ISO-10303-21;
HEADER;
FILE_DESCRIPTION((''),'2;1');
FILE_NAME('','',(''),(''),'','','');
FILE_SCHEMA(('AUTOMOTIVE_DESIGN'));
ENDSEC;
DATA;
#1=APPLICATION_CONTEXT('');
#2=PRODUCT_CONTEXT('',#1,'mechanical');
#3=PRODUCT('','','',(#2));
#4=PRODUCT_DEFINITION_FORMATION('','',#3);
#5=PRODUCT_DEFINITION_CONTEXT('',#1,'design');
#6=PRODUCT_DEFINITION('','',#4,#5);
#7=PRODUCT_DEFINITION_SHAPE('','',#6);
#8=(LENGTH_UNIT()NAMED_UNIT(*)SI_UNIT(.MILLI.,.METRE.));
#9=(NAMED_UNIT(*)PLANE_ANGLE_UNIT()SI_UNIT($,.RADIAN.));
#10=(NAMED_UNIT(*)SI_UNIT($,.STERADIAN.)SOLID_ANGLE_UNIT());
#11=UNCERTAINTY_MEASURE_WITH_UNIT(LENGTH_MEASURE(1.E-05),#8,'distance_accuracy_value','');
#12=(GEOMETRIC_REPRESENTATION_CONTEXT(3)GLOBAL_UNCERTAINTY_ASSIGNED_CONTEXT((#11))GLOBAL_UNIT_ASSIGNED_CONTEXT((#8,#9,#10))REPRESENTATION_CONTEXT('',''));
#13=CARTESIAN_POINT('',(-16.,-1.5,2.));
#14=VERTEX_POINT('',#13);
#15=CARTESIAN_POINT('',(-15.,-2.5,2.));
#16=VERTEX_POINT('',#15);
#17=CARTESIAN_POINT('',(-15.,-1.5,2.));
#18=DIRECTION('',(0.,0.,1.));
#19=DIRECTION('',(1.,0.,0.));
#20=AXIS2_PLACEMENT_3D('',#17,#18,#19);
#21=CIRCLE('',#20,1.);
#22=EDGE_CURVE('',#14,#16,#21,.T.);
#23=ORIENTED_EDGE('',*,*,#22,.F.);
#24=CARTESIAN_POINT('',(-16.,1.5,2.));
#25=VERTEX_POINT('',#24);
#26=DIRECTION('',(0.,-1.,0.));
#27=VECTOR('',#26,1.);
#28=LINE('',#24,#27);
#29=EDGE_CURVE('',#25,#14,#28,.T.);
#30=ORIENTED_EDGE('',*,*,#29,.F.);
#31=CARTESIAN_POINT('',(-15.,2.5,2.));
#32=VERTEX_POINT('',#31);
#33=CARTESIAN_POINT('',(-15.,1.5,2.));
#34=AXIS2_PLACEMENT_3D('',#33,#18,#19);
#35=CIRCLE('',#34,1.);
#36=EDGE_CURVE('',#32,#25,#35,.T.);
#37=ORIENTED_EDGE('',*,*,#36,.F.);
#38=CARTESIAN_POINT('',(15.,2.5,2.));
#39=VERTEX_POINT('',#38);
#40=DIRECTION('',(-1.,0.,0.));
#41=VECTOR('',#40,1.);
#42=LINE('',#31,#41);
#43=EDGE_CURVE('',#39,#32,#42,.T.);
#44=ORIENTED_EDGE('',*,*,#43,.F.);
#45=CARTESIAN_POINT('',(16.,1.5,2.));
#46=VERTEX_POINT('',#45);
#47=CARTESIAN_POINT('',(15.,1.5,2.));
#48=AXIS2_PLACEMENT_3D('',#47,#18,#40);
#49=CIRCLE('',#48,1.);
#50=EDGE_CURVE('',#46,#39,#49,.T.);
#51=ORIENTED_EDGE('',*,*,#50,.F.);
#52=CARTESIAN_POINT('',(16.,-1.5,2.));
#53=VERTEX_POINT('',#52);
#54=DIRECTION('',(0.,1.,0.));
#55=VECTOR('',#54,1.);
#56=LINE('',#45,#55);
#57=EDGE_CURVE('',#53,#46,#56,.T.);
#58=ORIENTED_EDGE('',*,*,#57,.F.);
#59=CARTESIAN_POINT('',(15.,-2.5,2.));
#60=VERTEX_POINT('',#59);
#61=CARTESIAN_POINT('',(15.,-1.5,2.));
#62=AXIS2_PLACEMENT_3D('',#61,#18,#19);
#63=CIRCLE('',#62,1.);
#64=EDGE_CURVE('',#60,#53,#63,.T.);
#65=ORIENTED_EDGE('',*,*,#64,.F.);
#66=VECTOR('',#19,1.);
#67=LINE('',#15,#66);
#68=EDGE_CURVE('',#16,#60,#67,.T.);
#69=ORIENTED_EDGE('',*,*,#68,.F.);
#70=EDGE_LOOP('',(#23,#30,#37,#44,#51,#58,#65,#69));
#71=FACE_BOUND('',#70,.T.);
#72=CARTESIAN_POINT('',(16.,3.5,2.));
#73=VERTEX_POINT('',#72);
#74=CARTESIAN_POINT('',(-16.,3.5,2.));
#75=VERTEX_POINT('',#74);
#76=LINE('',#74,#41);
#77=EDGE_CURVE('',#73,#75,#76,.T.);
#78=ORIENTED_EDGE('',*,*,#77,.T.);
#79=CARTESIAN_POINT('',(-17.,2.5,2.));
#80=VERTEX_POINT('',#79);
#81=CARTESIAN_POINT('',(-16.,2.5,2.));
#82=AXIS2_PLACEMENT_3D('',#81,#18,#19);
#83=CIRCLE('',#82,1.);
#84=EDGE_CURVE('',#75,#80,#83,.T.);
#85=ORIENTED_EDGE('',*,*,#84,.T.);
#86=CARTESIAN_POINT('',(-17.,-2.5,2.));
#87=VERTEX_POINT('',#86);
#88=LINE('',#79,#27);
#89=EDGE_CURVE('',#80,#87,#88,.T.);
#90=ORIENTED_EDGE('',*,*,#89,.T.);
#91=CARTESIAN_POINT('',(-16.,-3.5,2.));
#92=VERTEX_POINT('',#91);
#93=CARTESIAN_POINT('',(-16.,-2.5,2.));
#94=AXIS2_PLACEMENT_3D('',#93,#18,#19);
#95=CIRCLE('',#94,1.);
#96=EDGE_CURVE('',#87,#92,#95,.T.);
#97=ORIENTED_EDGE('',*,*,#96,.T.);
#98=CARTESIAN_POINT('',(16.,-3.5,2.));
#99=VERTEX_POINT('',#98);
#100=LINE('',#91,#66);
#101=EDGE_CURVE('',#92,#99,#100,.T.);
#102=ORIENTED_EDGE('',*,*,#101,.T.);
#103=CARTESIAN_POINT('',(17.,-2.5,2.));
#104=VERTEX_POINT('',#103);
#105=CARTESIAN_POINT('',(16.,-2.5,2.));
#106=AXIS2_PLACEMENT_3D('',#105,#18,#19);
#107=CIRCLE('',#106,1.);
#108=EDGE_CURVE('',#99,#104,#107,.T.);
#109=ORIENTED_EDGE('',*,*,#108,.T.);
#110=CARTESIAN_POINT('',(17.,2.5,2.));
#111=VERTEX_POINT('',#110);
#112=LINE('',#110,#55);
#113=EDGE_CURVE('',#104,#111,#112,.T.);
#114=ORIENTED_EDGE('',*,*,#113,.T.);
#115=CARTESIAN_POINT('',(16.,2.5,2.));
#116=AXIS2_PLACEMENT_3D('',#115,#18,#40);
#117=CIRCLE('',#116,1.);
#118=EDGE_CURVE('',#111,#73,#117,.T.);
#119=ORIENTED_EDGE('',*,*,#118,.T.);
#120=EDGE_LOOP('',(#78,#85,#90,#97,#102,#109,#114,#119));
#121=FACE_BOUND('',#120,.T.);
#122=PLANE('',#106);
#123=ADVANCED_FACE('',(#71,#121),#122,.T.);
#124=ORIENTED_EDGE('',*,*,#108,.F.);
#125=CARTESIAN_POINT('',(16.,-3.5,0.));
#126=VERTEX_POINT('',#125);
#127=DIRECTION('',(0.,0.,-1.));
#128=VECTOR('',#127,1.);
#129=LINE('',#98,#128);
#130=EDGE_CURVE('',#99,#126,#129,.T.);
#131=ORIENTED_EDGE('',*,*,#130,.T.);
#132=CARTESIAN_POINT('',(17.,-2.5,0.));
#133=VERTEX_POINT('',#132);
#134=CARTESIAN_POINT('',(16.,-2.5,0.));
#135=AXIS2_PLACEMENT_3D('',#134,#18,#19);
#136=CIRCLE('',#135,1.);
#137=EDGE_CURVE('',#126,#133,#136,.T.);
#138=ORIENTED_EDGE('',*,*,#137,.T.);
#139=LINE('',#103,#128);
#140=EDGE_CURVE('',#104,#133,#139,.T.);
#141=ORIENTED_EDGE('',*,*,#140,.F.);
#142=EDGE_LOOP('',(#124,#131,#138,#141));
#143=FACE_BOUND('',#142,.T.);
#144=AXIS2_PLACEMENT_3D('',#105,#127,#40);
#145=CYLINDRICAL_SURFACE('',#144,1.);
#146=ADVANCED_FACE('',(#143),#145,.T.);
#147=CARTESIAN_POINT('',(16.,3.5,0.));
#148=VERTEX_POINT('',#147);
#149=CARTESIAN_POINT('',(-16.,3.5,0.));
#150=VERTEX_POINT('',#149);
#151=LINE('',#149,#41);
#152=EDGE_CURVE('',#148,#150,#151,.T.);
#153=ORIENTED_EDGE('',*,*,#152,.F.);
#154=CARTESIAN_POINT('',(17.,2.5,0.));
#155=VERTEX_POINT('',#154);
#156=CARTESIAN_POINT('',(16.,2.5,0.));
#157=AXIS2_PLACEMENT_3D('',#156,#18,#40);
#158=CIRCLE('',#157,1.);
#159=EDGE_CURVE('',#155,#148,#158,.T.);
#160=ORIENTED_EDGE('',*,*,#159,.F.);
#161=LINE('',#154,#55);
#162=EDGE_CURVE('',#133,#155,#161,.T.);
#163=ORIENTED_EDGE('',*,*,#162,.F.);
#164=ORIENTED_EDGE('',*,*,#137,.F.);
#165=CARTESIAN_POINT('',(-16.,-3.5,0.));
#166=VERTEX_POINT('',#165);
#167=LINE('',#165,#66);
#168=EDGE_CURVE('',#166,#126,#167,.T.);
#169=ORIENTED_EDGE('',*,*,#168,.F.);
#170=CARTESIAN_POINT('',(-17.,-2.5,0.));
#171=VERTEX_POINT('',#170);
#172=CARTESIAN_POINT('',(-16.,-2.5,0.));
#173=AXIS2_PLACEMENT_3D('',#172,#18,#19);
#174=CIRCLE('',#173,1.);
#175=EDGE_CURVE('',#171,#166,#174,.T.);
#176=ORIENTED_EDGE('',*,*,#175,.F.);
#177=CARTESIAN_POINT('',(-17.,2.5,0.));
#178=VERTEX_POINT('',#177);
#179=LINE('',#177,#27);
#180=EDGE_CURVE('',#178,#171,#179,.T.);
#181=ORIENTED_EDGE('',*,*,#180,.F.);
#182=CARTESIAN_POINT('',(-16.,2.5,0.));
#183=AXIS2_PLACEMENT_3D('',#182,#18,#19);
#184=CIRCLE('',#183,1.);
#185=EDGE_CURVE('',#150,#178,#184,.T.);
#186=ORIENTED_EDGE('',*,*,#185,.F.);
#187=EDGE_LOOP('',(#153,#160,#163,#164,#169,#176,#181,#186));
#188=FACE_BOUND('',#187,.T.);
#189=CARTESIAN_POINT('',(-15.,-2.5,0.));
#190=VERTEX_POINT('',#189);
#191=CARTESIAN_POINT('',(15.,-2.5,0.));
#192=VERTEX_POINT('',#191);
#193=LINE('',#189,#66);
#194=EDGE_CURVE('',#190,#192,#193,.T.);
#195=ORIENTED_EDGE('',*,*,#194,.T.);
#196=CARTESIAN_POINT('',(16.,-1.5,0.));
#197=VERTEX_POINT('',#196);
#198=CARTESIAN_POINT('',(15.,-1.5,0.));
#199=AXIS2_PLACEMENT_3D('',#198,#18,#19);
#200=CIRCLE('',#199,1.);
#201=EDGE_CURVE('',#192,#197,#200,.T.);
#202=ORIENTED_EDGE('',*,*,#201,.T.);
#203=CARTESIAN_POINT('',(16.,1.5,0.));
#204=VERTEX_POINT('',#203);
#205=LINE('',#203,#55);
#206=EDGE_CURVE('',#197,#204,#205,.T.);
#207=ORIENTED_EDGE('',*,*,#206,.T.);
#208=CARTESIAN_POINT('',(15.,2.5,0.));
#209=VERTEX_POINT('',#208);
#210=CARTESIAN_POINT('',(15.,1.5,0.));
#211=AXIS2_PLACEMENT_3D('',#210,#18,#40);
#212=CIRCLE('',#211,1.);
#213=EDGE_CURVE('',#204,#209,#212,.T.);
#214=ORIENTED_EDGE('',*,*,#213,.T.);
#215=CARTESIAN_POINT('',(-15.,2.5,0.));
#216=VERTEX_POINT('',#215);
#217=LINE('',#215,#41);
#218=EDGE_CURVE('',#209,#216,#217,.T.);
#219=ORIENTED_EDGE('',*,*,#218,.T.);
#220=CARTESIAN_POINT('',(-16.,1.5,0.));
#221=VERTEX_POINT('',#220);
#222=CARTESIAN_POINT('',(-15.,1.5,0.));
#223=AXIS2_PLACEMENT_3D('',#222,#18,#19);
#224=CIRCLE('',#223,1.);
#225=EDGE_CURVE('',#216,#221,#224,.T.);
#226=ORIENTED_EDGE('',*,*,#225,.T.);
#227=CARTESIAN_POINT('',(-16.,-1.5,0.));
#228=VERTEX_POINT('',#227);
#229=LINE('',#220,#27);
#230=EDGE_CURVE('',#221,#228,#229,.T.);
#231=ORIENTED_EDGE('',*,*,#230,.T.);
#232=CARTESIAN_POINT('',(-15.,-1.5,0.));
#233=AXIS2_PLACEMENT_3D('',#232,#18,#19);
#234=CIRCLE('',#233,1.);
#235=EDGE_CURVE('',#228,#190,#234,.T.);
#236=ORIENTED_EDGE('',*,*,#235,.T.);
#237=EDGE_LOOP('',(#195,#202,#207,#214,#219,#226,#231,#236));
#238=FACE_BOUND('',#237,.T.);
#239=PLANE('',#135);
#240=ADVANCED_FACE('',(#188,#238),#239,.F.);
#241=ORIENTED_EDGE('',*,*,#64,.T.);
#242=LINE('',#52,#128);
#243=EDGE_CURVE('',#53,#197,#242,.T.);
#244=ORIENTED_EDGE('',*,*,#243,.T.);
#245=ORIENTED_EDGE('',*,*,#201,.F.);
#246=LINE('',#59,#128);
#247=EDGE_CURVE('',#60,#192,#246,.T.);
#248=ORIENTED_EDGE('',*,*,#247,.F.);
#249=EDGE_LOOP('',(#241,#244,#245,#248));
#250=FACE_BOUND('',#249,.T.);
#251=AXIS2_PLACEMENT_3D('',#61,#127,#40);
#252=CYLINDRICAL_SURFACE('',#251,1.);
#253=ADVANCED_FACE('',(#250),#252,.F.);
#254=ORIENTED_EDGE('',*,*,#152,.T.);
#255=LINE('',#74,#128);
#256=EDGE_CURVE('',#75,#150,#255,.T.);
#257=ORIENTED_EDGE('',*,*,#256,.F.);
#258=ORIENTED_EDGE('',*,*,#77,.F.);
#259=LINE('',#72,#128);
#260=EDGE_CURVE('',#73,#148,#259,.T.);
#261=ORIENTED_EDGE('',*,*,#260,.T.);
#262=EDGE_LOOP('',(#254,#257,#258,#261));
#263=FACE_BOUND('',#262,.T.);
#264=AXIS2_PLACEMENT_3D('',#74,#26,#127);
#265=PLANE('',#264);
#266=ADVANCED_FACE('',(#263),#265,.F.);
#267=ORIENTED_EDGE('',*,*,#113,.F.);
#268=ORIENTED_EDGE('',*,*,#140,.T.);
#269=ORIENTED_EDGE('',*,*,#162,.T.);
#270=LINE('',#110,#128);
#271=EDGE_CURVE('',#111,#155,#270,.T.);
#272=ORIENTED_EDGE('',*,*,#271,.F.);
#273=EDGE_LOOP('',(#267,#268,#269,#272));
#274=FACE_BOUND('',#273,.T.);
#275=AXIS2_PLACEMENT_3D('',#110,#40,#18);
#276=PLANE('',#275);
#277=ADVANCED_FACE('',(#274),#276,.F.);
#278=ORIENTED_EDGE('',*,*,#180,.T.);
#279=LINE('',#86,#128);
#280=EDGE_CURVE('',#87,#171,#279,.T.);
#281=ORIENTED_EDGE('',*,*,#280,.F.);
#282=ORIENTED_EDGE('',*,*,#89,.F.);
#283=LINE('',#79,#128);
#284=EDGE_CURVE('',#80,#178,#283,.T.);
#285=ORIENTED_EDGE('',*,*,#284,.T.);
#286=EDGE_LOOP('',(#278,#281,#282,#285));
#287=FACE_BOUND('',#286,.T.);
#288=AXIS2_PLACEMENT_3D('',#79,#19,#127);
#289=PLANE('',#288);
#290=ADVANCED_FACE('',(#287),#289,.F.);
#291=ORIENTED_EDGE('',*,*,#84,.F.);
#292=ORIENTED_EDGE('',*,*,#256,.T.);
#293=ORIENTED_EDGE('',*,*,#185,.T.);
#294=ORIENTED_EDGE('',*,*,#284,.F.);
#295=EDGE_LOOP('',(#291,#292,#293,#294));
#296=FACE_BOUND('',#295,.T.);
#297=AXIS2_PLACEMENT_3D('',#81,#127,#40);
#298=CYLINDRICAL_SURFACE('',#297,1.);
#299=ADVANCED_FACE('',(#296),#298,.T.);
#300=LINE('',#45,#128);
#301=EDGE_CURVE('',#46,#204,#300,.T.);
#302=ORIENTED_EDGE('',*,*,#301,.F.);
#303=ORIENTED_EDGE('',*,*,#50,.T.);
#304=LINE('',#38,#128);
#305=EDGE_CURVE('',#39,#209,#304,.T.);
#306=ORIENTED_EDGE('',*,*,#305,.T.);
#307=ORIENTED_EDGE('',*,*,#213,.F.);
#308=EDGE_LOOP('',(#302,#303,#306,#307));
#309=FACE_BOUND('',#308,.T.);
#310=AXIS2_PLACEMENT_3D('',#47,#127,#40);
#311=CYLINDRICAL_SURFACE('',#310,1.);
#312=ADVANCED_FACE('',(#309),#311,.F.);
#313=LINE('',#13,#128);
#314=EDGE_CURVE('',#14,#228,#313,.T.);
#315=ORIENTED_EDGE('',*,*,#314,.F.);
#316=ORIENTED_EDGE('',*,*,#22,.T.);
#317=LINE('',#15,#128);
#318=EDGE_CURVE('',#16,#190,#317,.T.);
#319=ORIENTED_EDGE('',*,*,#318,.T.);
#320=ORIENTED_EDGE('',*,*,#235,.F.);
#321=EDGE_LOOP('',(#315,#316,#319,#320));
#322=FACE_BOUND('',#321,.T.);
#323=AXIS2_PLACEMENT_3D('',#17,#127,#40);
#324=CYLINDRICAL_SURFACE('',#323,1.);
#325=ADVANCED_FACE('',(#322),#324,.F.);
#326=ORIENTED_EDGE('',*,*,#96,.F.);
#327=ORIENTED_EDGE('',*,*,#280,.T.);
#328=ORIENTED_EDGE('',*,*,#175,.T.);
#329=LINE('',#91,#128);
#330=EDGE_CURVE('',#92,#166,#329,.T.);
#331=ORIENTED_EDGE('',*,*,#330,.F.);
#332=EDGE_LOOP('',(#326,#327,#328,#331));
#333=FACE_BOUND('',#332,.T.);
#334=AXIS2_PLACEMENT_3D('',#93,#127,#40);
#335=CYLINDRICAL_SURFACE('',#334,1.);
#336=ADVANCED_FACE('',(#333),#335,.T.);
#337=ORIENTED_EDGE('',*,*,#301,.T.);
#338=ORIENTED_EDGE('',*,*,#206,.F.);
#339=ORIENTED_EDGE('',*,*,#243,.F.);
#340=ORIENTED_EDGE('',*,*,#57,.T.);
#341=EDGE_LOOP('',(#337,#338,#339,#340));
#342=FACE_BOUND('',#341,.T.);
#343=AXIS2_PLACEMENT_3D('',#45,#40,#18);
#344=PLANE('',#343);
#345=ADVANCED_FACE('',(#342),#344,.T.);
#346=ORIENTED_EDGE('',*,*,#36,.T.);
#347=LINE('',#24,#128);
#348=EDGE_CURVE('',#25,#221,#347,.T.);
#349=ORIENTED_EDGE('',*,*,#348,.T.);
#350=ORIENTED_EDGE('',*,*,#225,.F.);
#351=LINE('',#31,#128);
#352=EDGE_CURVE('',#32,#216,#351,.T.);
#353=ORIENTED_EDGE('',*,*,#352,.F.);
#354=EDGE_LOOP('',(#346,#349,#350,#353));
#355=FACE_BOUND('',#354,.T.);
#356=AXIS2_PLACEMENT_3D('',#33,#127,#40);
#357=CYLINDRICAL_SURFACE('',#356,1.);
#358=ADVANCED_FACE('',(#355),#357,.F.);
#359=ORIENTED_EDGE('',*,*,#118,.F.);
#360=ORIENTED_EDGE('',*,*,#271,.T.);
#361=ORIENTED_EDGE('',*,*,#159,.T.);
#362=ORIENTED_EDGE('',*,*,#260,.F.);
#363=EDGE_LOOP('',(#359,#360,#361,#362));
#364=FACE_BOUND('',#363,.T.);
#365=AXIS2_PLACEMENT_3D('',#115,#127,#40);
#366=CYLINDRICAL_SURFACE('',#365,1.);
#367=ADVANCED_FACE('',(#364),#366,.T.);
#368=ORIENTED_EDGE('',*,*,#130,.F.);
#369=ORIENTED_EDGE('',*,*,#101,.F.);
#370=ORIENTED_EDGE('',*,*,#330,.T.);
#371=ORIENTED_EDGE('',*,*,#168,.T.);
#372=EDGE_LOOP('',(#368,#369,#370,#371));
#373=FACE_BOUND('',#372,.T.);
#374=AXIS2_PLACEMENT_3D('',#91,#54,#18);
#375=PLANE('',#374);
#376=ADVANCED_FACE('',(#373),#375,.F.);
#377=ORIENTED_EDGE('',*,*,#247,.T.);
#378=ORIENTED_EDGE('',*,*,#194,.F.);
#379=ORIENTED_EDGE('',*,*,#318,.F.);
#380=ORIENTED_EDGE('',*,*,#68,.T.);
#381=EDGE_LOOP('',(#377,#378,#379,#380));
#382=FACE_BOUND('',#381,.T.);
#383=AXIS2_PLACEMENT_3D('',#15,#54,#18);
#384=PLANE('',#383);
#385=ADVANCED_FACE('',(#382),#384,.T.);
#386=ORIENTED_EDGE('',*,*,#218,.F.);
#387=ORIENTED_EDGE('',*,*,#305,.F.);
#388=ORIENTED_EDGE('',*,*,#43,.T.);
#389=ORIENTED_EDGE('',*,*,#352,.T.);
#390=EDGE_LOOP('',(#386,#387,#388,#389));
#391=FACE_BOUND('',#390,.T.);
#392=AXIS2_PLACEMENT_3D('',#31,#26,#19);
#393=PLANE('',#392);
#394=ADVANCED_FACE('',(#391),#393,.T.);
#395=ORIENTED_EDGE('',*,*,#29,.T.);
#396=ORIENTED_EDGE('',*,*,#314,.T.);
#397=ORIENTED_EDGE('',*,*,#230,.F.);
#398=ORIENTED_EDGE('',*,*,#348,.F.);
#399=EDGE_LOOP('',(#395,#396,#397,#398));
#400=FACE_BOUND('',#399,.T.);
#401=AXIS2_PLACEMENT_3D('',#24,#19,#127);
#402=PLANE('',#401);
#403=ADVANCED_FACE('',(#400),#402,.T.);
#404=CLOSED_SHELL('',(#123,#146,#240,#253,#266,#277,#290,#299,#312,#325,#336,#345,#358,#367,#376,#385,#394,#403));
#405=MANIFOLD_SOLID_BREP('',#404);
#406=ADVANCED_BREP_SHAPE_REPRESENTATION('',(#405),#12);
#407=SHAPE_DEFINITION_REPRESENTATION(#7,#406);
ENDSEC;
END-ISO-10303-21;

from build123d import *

# Parameters (mm, degrees)
BOSS_EXTRUDE1_DEPTH = 2


with BuildPart() as part:
    # Sketch1 → Boss-Extrude1 (new body)
    with BuildSketch(Plane.XY):
        with BuildLine():
            Line((-16, 3.5), (16, 3.5))
            ThreePointArc((16, 3.5), (16.707106781, 3.207106781), (17, 2.5))
            Line((17, 2.5), (17, -2.5))
            ThreePointArc((17, -2.5), (16.707106781, -3.207106781), (16, -3.5))
            Line((16, -3.5), (-16, -3.5))
            ThreePointArc((-16, -3.5), (-16.707106781, -3.207106781), (-17, -2.5))
            Line((-17, -2.5), (-17, 2.5))
            ThreePointArc((-17, 2.5), (-16.707106781, 3.207106781), (-16, 3.5))
        make_face()
        with BuildLine():
            Line((-15, 2.5), (15, 2.5))
            ThreePointArc((15, 2.5), (15.707106781, 2.207106781), (16, 1.5))
            Line((16, 1.5), (16, -1.5))
            ThreePointArc((16, -1.5), (15.707106781, -2.207106781), (15, -2.5))
            Line((15, -2.5), (-15, -2.5))
            ThreePointArc((-15, -2.5), (-15.707106781, -2.207106781), (-16, -1.5))
            Line((-16, -1.5), (-16, 1.5))
            ThreePointArc((-16, 1.5), (-15.707106781, 2.207106781), (-15, 2.5))
        make_face(mode=Mode.SUBTRACT)
    extrude(amount=BOSS_EXTRUDE1_DEPTH)


solid = part.part
